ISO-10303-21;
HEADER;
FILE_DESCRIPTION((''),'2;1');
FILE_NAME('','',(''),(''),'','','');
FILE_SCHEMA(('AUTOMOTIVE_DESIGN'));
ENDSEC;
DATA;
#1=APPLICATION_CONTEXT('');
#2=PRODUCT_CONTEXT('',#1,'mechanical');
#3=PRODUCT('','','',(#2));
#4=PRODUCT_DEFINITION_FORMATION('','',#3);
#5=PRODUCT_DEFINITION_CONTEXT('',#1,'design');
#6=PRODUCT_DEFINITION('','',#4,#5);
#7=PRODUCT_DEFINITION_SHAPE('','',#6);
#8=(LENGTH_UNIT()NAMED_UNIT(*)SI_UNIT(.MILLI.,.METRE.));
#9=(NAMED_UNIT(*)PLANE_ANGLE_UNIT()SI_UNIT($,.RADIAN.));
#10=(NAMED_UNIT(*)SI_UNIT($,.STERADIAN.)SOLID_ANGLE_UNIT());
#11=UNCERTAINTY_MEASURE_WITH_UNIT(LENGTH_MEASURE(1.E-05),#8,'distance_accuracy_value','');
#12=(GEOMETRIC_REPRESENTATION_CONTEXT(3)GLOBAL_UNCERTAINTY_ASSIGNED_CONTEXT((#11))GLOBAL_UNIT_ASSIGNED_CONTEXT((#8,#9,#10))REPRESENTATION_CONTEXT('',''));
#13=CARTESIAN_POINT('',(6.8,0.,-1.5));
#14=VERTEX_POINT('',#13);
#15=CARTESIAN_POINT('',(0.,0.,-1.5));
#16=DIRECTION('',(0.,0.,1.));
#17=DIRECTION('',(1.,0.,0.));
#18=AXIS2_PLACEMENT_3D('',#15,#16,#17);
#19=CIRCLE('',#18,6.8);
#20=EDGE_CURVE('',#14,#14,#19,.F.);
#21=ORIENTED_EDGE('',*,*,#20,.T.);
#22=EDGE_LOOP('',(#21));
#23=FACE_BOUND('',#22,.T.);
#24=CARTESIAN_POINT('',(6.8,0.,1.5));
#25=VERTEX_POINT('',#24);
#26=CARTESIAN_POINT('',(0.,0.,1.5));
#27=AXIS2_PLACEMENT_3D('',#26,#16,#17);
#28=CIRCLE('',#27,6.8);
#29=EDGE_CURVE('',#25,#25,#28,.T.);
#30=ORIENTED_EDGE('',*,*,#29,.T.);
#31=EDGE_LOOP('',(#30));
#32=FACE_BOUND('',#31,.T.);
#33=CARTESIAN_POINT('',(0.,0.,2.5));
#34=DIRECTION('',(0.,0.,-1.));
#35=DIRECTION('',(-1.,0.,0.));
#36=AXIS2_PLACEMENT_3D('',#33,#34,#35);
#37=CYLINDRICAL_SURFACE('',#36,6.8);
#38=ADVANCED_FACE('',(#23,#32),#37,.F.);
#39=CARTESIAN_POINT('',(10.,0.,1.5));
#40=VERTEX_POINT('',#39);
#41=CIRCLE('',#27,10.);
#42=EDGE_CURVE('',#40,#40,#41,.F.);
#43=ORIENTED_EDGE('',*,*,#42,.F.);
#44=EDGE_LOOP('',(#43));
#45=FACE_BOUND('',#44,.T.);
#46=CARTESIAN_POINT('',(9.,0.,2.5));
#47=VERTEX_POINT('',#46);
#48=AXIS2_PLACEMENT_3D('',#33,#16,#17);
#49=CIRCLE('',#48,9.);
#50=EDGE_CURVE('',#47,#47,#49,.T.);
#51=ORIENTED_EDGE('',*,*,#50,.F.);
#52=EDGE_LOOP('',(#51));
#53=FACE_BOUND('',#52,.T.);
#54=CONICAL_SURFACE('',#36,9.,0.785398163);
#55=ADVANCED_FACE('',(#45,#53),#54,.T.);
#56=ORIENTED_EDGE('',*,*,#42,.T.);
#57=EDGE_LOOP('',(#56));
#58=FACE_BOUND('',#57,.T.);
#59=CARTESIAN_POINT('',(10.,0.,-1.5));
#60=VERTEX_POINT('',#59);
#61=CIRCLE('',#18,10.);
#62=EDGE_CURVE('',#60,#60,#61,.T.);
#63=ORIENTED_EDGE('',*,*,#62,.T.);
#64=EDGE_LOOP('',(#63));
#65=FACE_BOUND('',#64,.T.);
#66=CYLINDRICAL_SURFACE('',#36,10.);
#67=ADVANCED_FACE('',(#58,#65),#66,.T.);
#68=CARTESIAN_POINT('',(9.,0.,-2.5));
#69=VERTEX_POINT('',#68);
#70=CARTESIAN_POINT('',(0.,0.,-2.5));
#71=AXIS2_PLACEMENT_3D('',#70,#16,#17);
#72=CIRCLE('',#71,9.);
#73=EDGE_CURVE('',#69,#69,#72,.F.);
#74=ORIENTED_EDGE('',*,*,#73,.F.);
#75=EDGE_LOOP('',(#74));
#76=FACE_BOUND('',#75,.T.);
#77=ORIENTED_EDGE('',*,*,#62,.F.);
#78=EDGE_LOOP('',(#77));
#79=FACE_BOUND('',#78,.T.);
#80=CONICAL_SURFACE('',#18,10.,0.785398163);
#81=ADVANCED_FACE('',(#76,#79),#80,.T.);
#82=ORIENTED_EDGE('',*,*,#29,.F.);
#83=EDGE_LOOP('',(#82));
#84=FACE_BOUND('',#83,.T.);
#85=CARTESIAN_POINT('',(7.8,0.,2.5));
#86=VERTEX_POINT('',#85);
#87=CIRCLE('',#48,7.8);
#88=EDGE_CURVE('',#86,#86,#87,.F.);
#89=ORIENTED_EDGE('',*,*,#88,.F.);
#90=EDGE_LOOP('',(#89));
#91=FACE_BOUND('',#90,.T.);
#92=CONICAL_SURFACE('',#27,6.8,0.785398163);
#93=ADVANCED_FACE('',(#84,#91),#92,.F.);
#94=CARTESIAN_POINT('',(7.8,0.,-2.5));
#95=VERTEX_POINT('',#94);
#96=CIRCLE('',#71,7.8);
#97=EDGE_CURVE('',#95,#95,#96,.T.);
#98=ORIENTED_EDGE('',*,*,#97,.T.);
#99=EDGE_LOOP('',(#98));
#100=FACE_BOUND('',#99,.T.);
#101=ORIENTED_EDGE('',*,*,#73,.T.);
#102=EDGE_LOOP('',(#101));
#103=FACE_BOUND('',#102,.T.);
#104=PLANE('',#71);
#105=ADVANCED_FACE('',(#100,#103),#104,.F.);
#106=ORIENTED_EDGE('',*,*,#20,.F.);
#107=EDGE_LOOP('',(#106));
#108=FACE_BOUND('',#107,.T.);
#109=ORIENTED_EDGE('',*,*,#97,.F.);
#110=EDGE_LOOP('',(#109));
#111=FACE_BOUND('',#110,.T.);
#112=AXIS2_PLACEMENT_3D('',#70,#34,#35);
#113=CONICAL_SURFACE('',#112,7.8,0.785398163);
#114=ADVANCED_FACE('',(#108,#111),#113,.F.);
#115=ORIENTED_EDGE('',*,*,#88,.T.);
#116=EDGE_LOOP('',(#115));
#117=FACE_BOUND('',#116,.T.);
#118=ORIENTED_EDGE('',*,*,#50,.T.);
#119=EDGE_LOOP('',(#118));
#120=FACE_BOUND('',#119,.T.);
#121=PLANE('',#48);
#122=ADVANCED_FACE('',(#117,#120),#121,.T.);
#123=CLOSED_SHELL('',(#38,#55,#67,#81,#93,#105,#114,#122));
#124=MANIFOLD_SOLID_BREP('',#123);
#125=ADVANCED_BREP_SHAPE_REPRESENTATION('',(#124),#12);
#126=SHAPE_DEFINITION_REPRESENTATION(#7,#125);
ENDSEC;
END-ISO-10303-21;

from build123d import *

# Parameters (mm, degrees)
SKETCH1_R               = 10
SKETCH1_R_2             = 7
MAIN_BODY_EXTRUDE_DEPTH = 2.5
F_2_OFFSET_BY           = 0.2
CHAMFER1_SIZE           = 1


with BuildPart() as part:
    # Sketch1 → Main Body Extrude (new, symmetric)
    with BuildSketch(Plane.XY):
        Circle(SKETCH1_R)
        Circle(SKETCH1_R_2, mode=Mode.SUBTRACT)
    extrude(amount=MAIN_BODY_EXTRUDE_DEPTH, both=True)

    # .2 Offset: a curved face moved outward by 0.2
    add(Solid.thicken(part.faces().sort_by_distance((-7, 0, 0))[0], F_2_OFFSET_BY))

    # Chamfer1
    chamfer1_edges = [part.edges().sort_by_distance(p)[0] for p in [
        (-10, 0, 2.5),
        (-10, 0, -2.5),
        (-6.8, 0, -2.5),
        (-6.8, 0, 2.5),
    ]]
    chamfer(chamfer1_edges, length=CHAMFER1_SIZE)


solid = part.part
